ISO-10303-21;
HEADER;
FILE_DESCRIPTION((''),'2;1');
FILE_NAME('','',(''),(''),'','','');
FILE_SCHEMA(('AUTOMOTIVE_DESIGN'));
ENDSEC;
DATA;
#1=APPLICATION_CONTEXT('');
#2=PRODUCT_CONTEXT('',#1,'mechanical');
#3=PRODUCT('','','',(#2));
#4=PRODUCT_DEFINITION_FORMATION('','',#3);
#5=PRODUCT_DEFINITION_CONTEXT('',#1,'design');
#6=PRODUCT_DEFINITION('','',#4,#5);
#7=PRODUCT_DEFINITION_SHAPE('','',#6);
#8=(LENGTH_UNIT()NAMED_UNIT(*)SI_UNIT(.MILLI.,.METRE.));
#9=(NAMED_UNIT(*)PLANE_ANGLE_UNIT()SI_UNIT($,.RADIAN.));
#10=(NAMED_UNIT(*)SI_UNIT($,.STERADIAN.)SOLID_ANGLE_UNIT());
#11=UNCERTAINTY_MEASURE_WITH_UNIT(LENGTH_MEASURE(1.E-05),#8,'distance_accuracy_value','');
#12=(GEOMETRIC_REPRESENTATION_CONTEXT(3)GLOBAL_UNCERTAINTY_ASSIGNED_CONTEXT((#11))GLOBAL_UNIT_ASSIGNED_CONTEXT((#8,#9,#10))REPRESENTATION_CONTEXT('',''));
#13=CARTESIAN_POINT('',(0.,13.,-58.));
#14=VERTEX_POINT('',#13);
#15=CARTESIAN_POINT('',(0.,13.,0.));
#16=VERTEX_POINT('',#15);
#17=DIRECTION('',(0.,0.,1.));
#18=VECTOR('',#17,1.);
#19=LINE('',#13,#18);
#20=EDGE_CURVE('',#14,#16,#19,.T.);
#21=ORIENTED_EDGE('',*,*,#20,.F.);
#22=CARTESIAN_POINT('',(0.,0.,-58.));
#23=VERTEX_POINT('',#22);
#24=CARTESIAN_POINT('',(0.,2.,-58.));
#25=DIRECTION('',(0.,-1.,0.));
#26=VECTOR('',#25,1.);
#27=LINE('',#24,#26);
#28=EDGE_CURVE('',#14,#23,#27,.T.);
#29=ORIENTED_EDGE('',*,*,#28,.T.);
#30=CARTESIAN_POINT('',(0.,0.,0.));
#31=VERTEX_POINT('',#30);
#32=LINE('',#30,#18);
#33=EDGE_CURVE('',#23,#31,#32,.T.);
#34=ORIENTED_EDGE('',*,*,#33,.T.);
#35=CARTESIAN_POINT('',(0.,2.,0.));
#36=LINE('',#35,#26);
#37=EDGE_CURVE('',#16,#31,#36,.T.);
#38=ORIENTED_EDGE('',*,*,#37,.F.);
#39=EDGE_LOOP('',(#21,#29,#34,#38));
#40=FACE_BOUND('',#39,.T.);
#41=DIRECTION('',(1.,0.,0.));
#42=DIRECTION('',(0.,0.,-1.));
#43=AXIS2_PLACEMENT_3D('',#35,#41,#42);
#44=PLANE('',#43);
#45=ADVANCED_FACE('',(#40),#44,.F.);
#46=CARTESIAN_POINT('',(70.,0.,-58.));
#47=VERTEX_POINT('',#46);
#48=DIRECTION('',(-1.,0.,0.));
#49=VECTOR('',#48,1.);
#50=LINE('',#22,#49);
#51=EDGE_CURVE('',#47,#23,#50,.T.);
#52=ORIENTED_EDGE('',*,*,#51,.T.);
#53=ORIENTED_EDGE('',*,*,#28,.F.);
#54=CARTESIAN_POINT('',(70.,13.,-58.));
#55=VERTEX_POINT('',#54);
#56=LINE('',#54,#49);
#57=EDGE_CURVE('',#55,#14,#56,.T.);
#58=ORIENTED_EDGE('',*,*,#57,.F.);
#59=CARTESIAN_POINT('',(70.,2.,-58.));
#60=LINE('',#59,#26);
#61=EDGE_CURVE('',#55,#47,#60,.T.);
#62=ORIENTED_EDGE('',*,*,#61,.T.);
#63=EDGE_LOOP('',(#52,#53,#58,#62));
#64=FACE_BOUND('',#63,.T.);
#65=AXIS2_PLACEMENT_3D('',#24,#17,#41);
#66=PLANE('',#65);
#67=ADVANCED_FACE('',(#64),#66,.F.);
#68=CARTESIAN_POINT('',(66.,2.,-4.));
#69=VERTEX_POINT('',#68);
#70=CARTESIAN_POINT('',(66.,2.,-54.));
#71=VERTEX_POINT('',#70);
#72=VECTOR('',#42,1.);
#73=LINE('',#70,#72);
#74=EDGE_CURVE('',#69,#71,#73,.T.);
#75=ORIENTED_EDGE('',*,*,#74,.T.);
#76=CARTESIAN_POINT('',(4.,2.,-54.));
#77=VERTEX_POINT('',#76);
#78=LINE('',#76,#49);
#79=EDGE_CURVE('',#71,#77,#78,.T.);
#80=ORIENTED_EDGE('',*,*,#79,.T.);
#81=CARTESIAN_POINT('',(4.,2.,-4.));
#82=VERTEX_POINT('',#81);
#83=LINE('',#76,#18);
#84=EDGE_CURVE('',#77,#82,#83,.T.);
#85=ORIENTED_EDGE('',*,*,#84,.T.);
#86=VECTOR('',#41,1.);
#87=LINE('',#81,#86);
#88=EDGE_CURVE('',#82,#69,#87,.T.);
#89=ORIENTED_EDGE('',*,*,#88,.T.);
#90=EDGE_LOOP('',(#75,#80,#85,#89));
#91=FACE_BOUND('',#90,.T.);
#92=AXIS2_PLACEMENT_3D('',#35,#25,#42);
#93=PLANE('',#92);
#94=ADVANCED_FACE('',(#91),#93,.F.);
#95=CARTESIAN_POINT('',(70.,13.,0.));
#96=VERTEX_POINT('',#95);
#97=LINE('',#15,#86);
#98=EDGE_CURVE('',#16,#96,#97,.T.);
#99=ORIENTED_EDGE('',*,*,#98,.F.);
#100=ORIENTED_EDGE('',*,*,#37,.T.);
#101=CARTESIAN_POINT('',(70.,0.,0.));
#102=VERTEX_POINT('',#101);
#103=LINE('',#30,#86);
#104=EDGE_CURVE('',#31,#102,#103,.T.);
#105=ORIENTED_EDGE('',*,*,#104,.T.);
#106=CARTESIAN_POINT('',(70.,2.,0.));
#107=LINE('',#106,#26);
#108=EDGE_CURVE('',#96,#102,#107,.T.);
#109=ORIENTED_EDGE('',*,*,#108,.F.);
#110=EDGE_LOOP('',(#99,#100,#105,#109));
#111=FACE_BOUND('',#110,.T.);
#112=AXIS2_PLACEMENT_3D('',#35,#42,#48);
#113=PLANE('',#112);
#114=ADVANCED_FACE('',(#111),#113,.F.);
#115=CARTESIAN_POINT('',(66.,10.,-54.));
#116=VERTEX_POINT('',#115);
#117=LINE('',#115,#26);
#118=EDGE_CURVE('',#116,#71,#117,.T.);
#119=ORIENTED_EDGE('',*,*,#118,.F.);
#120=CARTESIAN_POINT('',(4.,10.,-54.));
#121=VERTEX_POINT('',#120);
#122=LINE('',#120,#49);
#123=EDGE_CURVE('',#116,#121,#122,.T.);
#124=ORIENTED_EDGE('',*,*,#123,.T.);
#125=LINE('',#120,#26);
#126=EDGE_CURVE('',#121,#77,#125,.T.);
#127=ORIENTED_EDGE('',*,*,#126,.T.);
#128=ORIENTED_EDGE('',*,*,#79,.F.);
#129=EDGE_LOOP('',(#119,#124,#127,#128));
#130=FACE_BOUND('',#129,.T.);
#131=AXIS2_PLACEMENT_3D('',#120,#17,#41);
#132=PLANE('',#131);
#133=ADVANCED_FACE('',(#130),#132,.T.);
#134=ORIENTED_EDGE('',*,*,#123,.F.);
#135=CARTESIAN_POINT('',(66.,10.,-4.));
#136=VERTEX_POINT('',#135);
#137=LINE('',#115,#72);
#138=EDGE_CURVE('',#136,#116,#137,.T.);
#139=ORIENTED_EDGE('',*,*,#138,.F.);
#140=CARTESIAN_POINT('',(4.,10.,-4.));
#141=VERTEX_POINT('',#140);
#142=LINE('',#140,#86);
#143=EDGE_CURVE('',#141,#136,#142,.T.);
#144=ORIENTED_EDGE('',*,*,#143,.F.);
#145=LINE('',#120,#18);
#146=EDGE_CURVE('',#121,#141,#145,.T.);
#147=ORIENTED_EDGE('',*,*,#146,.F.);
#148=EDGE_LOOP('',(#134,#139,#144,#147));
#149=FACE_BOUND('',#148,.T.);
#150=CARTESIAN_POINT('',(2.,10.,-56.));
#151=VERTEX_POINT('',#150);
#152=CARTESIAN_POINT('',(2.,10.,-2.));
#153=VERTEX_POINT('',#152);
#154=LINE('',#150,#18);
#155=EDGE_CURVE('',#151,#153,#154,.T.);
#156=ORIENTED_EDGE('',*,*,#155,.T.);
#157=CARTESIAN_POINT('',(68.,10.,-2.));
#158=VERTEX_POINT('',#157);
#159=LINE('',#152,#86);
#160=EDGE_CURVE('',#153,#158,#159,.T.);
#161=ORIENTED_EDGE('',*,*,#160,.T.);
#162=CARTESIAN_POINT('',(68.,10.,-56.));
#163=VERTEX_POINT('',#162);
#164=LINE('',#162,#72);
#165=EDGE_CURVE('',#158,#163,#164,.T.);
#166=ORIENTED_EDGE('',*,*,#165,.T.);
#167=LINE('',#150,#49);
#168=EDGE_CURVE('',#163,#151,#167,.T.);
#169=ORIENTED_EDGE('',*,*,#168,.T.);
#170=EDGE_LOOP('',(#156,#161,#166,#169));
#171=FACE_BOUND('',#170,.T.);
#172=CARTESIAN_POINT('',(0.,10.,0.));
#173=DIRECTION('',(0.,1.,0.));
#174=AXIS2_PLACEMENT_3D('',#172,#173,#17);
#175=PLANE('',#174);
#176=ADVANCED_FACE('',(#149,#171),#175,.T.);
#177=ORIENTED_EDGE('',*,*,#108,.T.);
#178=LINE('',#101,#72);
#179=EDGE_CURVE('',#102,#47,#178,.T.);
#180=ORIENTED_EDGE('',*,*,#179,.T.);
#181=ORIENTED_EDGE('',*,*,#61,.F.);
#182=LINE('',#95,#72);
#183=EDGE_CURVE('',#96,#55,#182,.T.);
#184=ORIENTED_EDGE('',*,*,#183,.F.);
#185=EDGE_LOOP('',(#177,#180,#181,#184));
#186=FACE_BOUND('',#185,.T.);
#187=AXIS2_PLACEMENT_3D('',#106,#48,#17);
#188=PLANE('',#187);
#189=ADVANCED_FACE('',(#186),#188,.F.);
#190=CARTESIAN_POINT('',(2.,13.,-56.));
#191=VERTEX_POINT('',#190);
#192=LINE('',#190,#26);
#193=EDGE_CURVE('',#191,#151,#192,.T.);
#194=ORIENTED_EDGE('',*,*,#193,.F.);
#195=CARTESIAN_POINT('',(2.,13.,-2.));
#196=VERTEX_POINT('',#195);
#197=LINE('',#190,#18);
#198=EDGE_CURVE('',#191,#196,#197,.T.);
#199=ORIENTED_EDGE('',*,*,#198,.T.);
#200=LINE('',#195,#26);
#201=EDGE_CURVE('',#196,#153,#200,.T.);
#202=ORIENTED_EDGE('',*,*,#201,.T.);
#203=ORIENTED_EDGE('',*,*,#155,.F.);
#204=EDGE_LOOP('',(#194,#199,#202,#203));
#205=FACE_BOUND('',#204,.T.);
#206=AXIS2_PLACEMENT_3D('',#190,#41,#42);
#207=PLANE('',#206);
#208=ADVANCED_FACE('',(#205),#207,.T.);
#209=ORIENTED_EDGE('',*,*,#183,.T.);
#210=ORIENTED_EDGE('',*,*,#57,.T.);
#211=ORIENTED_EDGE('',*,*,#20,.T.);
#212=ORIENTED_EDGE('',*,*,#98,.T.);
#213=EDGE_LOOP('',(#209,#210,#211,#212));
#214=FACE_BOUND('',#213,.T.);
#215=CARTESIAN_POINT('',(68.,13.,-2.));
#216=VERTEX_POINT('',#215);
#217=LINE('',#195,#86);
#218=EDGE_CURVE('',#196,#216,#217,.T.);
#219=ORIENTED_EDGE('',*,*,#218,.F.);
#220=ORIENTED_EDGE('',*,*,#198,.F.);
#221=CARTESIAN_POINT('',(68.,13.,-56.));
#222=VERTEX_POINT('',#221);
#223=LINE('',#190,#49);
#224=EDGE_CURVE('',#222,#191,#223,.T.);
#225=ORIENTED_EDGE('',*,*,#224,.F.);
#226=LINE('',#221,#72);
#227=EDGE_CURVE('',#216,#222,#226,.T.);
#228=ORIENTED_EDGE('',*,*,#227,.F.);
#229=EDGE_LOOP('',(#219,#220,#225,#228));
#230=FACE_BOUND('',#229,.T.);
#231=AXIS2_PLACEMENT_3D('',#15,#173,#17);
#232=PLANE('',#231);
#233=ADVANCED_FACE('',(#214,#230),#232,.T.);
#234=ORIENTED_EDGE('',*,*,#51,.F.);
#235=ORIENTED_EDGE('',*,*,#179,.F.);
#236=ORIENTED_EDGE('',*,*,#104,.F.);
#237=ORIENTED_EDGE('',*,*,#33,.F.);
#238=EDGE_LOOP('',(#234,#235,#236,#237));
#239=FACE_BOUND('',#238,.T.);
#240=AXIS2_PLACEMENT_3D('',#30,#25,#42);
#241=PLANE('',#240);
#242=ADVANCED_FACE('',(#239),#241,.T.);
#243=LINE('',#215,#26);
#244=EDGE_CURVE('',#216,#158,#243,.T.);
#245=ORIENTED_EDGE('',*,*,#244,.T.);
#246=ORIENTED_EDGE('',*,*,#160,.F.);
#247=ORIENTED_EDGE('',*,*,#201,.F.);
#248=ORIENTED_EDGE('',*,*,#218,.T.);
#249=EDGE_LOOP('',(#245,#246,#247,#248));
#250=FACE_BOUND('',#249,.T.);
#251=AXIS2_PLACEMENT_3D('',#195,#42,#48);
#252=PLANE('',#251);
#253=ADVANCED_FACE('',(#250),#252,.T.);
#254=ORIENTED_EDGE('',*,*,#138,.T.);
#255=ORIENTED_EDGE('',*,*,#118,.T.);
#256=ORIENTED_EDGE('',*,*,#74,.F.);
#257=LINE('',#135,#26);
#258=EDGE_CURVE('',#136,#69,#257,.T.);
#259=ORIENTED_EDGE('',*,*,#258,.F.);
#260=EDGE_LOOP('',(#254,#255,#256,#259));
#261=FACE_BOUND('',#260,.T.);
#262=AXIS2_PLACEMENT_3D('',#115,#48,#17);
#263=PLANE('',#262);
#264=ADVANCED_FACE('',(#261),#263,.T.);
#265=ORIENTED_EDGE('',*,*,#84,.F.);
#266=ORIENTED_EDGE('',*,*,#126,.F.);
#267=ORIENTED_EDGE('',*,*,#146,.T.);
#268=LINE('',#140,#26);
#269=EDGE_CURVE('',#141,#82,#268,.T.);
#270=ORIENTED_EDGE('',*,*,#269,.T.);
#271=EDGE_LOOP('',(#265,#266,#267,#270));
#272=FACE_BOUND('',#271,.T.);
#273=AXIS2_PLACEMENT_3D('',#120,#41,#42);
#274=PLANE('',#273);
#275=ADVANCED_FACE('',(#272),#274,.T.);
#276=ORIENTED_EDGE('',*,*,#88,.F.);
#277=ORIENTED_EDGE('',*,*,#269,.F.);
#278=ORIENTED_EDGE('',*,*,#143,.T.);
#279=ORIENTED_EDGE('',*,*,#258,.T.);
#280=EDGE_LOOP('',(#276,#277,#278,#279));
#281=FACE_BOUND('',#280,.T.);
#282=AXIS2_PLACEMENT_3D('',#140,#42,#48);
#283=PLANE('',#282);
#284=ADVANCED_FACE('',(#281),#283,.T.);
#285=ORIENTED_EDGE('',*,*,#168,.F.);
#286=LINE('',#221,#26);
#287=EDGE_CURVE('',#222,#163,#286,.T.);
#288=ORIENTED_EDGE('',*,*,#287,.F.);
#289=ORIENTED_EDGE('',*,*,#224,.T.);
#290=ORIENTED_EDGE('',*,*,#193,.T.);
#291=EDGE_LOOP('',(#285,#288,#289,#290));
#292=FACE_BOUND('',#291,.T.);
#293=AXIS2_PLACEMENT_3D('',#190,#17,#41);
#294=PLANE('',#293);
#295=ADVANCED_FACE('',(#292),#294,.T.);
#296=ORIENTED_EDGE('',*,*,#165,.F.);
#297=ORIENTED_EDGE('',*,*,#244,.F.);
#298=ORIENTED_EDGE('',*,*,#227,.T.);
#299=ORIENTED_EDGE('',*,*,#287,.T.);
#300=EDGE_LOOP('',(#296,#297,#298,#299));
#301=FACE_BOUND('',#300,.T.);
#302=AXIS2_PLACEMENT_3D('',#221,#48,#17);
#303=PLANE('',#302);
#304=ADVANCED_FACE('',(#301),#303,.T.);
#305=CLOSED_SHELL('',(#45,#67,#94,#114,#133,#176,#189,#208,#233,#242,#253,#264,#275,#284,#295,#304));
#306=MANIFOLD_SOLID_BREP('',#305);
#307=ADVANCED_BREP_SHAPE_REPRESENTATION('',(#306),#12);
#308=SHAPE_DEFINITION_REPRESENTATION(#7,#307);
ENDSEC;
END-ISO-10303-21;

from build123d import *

# Parameters (mm, degrees)
SZKIC1_W                    = 70
SZKIC1_H                    = 58
DODANIE_WYCI_GNI_CIE1_DEPTH = 2
SZKIC2_W                    = 70
SZKIC2_H                    = 58
SZKIC2_W_2                  = 62
SZKIC2_H_2                  = 50
DODANIE_WYCI_GNI_CIE2_DEPTH = 8
SZKIC3_W                    = 70
SZKIC3_H                    = 58
SZKIC3_W_2                  = 66
SZKIC3_H_2                  = 54
DODANIE_WYCI_GNI_CIE3_DEPTH = 3


with BuildPart() as part:
    # Szkic1 → Dodanie-wyciągnięcie1 (new body)
    with BuildSketch(Plane(origin=(0, 0, 0), x_dir=(1, 0, 0), z_dir=(0, 1, 0))):
        with Locations((35, 29)):
            Rectangle(SZKIC1_W, SZKIC1_H)
    extrude(amount=DODANIE_WYCI_GNI_CIE1_DEPTH)

    # Szkic2 → Dodanie-wyciągnięcie2 (add)
    with BuildSketch(Plane(origin=(0, 2, 0), x_dir=(1, 0, 0), z_dir=(0, 1, 0))):
        with Locations((35, 29)):
            Rectangle(SZKIC2_W, SZKIC2_H)
        with Locations((35, 29)):
            Rectangle(SZKIC2_W_2, SZKIC2_H_2, mode=Mode.SUBTRACT)
    extrude(amount=DODANIE_WYCI_GNI_CIE2_DEPTH)

    # Szkic3 → Dodanie-wyciągnięcie3 (add)
    with BuildSketch(Plane(origin=(0, 10, 0), x_dir=(1, 0, 0), z_dir=(0, 1, 0))):
        with Locations((35, 29)):
            Rectangle(SZKIC3_W, SZKIC3_H)
        with Locations((35, 29)):
            Rectangle(SZKIC3_W_2, SZKIC3_H_2, mode=Mode.SUBTRACT)
    extrude(amount=DODANIE_WYCI_GNI_CIE3_DEPTH)


solid = part.part
